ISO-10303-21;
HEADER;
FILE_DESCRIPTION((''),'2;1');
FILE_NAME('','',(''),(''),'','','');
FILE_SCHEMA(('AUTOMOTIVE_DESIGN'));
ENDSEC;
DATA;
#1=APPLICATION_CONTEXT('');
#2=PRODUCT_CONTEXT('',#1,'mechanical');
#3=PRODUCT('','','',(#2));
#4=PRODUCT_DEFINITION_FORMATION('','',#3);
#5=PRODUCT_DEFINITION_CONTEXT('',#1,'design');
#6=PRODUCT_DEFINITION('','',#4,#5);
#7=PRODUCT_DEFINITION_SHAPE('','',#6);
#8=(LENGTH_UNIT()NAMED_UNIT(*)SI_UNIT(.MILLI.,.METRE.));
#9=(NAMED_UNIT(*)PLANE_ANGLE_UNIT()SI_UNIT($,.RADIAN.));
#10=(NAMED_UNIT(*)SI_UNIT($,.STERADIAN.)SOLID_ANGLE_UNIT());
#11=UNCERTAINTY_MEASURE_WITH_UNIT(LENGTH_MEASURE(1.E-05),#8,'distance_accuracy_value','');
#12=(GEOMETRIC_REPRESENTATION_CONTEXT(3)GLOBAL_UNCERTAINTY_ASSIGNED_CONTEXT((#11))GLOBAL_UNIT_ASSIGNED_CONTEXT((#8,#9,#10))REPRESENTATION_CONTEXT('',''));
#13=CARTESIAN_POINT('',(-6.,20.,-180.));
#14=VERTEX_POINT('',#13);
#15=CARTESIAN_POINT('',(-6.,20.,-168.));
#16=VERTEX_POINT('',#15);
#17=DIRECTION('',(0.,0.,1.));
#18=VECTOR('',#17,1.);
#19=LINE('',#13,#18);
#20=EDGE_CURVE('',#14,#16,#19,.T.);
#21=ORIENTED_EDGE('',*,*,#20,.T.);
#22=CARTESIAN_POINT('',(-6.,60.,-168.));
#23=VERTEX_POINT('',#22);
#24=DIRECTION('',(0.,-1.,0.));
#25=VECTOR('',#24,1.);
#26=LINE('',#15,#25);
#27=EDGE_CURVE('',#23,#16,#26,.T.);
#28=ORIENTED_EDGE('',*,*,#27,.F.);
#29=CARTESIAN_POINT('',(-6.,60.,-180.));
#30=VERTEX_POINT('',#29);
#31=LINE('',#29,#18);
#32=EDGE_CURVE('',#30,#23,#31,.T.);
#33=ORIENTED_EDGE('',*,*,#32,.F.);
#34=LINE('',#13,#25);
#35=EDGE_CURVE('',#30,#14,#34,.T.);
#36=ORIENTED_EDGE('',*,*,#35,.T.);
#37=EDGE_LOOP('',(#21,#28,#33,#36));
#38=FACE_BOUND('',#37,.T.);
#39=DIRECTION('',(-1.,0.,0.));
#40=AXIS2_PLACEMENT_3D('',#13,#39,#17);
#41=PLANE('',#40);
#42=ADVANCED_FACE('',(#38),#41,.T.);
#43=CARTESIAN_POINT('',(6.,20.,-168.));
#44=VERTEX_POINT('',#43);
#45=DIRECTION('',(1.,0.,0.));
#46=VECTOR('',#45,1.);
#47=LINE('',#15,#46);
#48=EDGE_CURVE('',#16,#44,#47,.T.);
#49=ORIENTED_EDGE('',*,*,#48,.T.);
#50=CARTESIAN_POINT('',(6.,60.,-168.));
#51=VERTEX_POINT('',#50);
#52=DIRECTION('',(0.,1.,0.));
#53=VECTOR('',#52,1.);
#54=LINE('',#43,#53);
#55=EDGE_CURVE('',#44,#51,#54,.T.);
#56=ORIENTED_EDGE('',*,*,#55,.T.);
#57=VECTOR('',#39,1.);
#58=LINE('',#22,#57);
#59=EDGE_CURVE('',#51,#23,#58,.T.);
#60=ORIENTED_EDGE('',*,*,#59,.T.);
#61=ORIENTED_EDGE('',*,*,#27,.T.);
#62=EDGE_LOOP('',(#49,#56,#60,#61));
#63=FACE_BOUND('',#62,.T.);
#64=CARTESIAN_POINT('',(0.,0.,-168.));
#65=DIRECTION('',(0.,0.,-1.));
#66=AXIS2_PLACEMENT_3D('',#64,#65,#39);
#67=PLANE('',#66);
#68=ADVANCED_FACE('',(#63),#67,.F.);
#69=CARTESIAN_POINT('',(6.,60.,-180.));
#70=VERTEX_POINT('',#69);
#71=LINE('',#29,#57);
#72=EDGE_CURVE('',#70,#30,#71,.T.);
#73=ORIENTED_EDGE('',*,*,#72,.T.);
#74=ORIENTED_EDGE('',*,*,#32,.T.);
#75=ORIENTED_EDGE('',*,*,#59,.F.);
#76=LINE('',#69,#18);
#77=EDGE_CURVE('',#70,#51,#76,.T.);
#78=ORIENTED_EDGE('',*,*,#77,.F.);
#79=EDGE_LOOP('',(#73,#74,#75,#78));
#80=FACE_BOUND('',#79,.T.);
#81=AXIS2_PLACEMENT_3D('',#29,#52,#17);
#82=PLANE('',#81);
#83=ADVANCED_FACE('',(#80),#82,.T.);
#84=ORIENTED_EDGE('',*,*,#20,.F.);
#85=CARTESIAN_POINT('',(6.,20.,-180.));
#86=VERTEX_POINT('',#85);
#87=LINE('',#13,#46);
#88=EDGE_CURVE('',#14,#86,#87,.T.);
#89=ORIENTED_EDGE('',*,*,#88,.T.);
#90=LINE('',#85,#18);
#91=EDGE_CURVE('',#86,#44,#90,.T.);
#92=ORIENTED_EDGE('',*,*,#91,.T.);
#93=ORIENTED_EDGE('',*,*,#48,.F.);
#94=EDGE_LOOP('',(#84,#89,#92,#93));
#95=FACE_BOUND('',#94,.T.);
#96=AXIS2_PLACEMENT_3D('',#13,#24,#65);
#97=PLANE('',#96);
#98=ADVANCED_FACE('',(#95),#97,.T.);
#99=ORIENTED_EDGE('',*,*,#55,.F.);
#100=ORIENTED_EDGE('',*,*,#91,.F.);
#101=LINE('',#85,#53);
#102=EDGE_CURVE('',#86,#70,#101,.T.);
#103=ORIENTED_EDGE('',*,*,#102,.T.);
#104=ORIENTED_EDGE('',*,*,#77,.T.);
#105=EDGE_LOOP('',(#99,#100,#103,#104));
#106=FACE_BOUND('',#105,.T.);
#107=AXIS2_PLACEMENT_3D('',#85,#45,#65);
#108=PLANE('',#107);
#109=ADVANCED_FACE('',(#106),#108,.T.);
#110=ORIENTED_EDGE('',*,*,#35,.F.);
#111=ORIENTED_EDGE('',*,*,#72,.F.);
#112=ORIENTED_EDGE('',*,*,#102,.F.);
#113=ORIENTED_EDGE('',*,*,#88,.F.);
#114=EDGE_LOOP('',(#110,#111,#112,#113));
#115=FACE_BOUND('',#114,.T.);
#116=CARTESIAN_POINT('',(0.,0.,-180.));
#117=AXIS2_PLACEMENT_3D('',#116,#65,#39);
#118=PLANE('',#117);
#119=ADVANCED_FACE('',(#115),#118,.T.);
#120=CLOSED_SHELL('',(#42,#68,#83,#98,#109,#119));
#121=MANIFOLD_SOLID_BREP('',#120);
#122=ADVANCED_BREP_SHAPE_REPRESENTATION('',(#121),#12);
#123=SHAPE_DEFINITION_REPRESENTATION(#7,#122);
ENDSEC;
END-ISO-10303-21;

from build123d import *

# Parameters (mm, degrees)
UCY_KILIT_PIMI_12X40_1_START = -168
SKETCH1_W                    = 12
SKETCH1_H                    = 40
UCY_KILIT_PIMI_12X40_1_DEPTH = 12


with BuildPart() as part:
    # Sketch1 → UCY_kilit_pimi_12x40_1 (new body)
    with BuildSketch(Plane.XY.offset(UCY_KILIT_PIMI_12X40_1_START)):
        with Locations((0, 40)):
            Rectangle(SKETCH1_W, SKETCH1_H)
    extrude(amount=-UCY_KILIT_PIMI_12X40_1_DEPTH)


solid = part.part
